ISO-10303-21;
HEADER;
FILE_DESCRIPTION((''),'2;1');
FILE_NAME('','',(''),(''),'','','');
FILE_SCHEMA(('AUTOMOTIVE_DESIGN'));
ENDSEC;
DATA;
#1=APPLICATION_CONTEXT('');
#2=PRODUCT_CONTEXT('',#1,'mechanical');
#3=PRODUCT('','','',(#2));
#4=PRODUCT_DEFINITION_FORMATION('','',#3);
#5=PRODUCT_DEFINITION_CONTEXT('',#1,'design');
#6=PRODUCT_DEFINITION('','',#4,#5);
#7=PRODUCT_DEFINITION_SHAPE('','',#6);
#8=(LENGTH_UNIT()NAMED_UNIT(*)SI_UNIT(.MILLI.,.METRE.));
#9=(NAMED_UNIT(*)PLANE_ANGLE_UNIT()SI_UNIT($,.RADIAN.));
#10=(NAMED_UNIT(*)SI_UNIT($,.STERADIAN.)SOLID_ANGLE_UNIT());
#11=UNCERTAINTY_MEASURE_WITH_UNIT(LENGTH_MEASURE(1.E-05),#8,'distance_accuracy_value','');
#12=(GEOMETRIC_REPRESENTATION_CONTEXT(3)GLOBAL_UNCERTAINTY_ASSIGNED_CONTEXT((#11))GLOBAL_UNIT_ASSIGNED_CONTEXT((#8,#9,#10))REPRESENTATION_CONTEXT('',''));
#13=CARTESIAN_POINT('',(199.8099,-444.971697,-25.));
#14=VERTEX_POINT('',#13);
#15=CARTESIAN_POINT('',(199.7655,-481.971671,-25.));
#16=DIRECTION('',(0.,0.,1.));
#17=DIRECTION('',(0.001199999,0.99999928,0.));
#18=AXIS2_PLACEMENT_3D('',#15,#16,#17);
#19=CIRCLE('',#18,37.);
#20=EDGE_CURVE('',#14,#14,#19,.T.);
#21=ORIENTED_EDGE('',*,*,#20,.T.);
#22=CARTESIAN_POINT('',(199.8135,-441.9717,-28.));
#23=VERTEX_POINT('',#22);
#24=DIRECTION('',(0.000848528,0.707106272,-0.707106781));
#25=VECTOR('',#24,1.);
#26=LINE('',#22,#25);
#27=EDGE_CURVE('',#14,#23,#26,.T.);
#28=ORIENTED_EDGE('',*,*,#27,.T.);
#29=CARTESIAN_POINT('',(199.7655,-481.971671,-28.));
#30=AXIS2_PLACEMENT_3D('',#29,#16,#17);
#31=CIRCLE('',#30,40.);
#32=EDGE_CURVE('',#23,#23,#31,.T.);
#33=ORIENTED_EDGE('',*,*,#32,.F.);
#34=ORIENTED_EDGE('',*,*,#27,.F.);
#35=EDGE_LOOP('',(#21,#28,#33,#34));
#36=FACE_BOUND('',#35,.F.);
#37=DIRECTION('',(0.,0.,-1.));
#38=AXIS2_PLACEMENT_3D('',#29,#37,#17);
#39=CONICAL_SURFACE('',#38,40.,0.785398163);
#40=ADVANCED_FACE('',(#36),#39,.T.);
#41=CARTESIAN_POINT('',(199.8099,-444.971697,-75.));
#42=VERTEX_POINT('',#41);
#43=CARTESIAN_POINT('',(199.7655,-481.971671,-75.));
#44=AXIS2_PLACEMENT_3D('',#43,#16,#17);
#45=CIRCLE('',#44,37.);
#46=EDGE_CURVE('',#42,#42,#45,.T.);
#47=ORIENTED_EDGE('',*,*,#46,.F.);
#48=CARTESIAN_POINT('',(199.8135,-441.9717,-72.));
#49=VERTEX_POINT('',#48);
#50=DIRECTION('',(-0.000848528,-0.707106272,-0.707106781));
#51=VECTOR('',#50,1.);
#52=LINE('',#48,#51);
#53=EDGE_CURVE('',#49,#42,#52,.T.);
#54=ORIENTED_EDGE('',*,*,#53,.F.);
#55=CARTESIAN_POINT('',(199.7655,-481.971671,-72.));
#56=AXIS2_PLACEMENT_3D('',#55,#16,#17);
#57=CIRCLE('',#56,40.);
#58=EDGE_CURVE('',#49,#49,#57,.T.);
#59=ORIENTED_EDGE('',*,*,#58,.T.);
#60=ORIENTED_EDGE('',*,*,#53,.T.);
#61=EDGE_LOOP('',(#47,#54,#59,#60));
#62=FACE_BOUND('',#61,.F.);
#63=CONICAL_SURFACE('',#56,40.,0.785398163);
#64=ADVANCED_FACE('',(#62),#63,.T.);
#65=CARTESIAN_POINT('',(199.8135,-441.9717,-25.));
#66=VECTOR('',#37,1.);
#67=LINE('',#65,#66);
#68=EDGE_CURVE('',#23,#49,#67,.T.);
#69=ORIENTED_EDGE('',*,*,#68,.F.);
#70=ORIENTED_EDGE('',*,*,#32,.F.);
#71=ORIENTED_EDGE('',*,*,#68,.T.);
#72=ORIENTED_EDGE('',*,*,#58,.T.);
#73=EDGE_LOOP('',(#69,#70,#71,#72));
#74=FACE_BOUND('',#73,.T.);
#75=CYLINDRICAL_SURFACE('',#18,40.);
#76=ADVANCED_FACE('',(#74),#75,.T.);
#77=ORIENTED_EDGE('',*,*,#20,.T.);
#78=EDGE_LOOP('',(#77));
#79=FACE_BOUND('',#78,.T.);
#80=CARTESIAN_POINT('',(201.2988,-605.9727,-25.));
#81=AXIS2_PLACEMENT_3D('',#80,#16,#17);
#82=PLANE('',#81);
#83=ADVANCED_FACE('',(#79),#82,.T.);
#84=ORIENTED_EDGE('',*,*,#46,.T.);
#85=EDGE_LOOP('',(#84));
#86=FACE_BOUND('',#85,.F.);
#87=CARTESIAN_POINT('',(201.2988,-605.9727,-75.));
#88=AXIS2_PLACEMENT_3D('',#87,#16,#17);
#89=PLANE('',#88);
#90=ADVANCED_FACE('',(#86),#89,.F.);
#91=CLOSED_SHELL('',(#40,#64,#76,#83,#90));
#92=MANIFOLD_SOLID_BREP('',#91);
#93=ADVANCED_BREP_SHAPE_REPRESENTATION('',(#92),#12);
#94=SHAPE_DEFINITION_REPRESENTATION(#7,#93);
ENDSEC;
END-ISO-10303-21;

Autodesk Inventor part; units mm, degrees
ref_plane "YZ Plane" through (0, 0, 0) normal (1, 0, 0) x (0, 1, 0)
ref_plane "XZ Plane" through (0, 0, 0) normal (0, 1, 0) x (-1, 0, 0)
ref_plane "XY Plane" through (0, 0, 0) normal (0, 0, 1) x (1, 0, 0)
ref_plane "Płaszczyzna konstrukcyjna1" through (201.2988, -605.9727, -25) normal (0, 0, 1) x (0.0012, 1, 0)
sketch "Szkic1" plane through (201.2988, -605.9727, -25) normal (0, 0, 1) x (0.0012, 1, 0)
  circle A0 centre (123.9991, 1.6821) radius 10
  circle A1 centre (123.9991, 1.6821) radius 40
  ellipse E0 centre (181.2886, 11.8263) end of major axis (181.2615, 21.8263) minor radius 10 projected
  point P0 (605.7397, 201.9988)
  dimension "d0" = 80
extrude "Wyciągnięcie proste1" add sketch "Szkic1" against normal blind 50 contours A0 | A1
chamfer "Faza1" distance 3 angle 45 2 edges at (199.7137, -521.9717, -25) (199.7137, -521.9717, -75)
properties part number "ciezarek1" material "Stal, miękka"
